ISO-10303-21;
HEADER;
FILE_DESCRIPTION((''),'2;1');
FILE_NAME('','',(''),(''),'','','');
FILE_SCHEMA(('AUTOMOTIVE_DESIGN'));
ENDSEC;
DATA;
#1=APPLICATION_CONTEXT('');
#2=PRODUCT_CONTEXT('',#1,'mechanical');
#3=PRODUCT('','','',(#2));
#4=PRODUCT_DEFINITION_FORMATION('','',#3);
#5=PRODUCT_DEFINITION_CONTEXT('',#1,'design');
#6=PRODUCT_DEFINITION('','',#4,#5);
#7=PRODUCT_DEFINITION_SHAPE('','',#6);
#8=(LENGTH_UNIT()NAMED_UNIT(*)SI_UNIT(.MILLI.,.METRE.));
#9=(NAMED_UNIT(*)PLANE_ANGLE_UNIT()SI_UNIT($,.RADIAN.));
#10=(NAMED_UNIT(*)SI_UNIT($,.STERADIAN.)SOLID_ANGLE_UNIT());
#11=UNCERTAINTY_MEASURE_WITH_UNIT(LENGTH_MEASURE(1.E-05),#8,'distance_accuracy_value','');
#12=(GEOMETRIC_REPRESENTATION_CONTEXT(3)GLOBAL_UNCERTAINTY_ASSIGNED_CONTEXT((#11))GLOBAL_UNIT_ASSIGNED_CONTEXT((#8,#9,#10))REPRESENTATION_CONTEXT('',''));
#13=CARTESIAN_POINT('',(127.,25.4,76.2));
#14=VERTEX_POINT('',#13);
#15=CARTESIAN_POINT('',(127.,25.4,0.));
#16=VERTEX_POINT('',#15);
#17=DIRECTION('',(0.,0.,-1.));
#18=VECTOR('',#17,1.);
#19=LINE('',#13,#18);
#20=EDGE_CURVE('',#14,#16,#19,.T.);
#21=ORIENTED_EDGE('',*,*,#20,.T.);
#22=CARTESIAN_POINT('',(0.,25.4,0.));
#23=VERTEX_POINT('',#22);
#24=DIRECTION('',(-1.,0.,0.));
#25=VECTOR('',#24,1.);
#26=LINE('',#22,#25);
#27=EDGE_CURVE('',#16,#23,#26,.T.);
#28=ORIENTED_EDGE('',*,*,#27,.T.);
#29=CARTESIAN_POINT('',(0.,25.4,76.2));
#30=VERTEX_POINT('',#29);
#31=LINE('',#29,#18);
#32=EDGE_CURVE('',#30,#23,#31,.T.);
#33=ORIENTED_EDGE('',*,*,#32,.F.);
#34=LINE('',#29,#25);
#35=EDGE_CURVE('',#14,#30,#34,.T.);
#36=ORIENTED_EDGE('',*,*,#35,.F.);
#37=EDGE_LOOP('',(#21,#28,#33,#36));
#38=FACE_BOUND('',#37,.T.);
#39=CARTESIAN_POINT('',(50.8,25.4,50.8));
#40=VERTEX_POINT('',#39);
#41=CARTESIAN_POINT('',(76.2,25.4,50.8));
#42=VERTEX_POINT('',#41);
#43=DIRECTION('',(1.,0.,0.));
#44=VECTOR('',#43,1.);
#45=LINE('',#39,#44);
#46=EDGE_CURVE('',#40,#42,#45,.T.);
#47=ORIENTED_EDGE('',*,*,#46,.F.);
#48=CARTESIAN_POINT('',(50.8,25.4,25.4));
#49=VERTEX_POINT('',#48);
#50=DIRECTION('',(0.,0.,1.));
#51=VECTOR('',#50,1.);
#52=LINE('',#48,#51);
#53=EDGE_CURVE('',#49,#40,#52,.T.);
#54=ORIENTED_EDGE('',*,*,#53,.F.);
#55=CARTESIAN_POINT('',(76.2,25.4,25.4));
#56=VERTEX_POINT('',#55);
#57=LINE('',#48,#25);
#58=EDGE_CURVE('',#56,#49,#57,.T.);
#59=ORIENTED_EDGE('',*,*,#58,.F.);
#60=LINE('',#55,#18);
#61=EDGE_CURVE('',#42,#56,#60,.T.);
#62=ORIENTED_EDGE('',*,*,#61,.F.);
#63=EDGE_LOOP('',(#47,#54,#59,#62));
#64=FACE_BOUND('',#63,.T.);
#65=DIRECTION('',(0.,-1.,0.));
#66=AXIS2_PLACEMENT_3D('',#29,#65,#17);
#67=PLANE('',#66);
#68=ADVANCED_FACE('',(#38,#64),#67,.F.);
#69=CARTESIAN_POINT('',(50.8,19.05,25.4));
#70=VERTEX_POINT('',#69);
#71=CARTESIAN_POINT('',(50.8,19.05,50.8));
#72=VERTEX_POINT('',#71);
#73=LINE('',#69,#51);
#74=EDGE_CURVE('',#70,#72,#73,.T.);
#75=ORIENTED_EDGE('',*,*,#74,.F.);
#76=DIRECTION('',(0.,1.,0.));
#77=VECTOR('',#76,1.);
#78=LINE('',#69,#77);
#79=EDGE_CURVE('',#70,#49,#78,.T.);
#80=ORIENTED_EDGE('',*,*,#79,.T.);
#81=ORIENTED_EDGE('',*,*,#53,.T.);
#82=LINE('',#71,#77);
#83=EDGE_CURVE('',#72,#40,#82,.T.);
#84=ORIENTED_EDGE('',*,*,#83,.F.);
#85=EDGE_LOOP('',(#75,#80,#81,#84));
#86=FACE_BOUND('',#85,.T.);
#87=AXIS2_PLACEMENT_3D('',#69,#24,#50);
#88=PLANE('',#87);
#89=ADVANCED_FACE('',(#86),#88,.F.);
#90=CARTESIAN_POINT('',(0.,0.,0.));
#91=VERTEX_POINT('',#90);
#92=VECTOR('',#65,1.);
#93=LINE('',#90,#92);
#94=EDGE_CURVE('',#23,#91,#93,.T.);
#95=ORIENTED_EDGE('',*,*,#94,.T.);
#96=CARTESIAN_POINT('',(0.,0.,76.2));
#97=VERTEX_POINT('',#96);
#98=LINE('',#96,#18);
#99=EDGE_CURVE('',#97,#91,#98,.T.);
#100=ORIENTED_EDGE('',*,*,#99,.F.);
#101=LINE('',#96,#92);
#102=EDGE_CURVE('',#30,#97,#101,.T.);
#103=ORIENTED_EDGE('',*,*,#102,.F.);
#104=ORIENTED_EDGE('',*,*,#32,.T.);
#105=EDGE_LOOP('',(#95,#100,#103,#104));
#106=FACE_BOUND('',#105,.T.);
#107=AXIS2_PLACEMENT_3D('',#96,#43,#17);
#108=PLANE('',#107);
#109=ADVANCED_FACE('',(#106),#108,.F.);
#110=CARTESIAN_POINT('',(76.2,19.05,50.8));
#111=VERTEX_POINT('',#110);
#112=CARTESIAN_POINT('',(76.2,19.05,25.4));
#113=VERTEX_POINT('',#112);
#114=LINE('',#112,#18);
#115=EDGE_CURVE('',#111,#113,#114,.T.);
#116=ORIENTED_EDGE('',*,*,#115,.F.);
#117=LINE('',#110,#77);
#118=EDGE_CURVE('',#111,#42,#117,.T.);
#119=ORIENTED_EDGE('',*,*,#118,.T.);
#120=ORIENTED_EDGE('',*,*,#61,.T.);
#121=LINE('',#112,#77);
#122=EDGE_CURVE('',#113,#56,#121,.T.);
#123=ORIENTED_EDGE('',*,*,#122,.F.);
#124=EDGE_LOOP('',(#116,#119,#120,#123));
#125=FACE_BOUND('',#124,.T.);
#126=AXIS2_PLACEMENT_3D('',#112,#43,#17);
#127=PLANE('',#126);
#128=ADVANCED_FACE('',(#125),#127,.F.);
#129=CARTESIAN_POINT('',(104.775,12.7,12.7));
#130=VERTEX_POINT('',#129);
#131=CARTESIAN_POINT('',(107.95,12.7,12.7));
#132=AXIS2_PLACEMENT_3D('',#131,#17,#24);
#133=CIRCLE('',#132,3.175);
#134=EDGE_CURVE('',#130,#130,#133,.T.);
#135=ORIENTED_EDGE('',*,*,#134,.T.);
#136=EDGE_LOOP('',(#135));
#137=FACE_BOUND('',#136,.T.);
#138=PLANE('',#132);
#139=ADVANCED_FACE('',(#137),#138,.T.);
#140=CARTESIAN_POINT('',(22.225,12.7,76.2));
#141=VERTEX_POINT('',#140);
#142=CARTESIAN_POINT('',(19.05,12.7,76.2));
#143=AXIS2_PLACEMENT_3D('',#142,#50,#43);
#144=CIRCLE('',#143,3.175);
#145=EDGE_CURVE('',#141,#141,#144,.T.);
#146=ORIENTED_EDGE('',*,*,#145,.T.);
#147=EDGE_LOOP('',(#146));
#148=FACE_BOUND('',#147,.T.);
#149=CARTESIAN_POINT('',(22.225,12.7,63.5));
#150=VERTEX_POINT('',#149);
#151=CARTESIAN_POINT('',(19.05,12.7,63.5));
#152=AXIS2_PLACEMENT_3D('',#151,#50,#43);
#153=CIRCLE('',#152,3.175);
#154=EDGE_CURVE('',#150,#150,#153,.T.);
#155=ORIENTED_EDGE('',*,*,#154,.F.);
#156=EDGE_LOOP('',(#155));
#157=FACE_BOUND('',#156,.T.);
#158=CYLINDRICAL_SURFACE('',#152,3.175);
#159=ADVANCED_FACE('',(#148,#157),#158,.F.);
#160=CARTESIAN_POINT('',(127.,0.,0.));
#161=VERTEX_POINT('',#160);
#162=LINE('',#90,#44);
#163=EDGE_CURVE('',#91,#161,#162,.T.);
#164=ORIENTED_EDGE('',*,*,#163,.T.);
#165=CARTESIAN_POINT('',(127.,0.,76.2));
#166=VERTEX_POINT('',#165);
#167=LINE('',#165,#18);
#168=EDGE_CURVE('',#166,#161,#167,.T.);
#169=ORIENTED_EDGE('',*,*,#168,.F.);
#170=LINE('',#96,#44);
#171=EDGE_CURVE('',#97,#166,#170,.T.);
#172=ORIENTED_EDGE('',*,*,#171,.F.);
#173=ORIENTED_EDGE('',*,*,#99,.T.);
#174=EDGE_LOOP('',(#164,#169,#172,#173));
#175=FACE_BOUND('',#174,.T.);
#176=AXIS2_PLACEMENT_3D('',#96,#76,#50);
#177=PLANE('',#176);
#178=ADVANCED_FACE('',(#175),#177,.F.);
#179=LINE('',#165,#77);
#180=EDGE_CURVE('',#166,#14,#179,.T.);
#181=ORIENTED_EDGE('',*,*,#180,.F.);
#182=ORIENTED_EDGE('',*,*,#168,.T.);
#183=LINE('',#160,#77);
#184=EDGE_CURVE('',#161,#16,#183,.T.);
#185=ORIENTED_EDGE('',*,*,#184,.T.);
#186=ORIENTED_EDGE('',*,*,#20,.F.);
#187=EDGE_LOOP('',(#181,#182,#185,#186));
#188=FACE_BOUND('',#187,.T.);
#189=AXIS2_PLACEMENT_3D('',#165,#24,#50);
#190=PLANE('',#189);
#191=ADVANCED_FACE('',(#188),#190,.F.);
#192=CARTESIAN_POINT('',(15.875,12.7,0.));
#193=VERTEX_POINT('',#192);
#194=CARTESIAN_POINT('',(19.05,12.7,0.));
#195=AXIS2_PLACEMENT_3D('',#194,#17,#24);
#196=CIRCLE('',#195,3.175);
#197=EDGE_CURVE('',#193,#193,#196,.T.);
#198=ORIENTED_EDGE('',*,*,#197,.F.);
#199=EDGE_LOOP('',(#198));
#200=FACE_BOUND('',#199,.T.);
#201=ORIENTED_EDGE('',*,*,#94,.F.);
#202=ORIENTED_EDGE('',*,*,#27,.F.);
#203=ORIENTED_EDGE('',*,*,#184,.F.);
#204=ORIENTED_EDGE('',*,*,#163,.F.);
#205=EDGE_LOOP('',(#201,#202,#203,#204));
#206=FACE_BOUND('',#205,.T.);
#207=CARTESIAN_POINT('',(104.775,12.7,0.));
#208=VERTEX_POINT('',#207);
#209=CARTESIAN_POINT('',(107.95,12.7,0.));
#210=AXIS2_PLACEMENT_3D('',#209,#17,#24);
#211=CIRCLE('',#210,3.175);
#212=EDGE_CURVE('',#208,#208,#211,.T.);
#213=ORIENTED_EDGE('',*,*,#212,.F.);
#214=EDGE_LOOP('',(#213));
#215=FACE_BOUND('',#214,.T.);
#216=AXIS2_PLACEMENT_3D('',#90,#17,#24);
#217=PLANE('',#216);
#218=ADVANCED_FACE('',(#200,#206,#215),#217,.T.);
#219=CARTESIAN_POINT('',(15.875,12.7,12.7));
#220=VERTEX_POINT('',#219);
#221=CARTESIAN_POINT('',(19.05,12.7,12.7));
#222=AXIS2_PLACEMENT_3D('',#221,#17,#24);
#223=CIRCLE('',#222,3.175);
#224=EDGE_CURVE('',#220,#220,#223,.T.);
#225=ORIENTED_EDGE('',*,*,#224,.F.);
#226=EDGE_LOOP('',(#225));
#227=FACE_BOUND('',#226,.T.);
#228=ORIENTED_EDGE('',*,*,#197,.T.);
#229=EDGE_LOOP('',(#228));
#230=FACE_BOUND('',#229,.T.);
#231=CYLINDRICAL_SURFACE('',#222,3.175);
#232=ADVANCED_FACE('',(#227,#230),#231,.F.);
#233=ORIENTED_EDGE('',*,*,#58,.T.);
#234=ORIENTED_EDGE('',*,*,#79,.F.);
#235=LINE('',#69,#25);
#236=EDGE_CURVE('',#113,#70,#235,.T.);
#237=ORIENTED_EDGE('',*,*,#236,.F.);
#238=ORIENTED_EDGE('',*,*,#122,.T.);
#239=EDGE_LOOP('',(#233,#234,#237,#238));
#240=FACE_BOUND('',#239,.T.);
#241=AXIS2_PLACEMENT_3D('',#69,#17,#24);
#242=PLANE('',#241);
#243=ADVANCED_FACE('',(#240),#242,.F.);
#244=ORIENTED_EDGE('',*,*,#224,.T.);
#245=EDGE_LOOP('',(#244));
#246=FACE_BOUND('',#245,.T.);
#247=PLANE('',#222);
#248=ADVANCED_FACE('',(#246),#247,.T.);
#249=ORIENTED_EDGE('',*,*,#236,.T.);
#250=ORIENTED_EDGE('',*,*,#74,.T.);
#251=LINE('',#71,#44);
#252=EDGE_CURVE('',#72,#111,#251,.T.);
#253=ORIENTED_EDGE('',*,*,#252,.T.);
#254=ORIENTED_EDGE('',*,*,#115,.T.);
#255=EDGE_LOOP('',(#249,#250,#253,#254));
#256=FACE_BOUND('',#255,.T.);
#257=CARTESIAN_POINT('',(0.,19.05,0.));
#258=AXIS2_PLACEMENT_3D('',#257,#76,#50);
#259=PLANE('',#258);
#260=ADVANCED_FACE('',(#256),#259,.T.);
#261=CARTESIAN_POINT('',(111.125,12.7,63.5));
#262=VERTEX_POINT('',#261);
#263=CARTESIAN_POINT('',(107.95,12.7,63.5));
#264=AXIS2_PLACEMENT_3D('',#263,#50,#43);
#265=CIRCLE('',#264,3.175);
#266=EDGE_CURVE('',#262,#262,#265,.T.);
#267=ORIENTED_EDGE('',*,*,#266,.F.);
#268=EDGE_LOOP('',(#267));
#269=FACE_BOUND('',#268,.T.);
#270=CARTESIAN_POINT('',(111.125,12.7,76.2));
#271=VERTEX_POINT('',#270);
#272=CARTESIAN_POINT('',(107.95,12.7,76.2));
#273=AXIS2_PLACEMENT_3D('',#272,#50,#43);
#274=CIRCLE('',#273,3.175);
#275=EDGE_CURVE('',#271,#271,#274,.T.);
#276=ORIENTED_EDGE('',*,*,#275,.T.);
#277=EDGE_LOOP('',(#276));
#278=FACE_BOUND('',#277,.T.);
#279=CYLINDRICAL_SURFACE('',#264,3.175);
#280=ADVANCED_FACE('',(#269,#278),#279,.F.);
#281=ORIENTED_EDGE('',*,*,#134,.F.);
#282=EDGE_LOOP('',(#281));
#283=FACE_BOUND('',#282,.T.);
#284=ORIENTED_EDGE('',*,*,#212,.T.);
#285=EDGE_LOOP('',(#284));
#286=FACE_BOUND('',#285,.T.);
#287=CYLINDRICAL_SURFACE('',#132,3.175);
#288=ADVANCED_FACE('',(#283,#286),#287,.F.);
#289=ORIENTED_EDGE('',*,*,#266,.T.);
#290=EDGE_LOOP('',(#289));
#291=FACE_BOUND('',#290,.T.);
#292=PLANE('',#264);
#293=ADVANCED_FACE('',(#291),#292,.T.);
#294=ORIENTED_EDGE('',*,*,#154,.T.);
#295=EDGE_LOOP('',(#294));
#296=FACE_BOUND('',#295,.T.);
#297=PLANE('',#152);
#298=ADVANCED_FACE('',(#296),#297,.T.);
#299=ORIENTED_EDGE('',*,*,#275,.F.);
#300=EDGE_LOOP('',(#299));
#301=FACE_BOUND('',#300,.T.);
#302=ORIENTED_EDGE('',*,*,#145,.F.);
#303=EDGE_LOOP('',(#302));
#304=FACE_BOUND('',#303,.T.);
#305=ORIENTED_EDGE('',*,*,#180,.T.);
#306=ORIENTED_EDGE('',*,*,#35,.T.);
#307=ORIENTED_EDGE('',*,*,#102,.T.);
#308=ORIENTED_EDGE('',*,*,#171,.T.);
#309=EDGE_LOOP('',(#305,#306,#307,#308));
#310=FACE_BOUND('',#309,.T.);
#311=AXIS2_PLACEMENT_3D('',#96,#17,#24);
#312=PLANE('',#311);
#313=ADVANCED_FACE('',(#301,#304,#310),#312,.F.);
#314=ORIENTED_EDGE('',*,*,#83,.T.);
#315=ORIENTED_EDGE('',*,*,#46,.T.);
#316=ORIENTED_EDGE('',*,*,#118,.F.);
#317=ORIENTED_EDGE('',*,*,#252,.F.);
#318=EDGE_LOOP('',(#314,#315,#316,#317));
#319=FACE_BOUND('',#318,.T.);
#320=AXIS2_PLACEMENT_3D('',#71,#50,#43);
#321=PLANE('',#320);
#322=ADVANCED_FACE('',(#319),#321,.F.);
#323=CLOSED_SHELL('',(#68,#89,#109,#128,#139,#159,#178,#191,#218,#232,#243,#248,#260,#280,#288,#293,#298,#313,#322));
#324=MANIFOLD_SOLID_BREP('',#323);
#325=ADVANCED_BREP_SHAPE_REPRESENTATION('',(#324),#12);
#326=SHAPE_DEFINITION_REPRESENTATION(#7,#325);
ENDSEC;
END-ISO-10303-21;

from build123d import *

# Parameters (mm, degrees)
SKETCH1_W           = 127
SKETCH1_H           = 25.4
BOSS_EXTRUDE1_DEPTH = 76.2
SKETCH2_R           = 3.175
CUT_EXTRUDE1_DEPTH  = 12.7
SKETCH3_R           = 3.175
CUT_EXTRUDE2_DEPTH  = 12.7
SKETCH4_W           = 25.4
SKETCH4_H           = 25.4
CUT_EXTRUDE3_DEPTH  = 6.35


with BuildPart() as part:
    # Sketch1 → Boss-Extrude1 (new body)
    with BuildSketch(Plane.XY):
        with Locations((63.5, 12.7)):
            Rectangle(SKETCH1_W, SKETCH1_H)
    extrude(amount=BOSS_EXTRUDE1_DEPTH)

    # Sketch2 → Cut-Extrude1 (cut)
    with BuildSketch(Plane.XY.offset(76.2)):
        with Locations((19.05, 12.7)):
            Circle(SKETCH2_R)
        with Locations((107.95, 12.7)):
            Circle(SKETCH2_R)
    extrude(amount=-CUT_EXTRUDE1_DEPTH, mode=Mode.SUBTRACT)

    # Sketch3 → Cut-Extrude2 (cut)
    with BuildSketch(Plane(origin=(0, 0, 0), x_dir=(-1, 0, 0), z_dir=(0, 0, -1))):
        with Locations((-107.95, 12.7)):
            Circle(SKETCH3_R)
        with Locations((-19.05, 12.7)):
            Circle(SKETCH3_R)
    extrude(amount=-CUT_EXTRUDE2_DEPTH, mode=Mode.SUBTRACT)

    # Sketch4 → Cut-Extrude3 (cut)
    with BuildSketch(Plane(origin=(0, 25.4, 0), x_dir=(1, 0, 0), z_dir=(0, 1, 0))):
        with Locations((63.5, -38.1)):
            Rectangle(SKETCH4_W, SKETCH4_H)
    extrude(amount=-CUT_EXTRUDE3_DEPTH, mode=Mode.SUBTRACT)


solid = part.part
